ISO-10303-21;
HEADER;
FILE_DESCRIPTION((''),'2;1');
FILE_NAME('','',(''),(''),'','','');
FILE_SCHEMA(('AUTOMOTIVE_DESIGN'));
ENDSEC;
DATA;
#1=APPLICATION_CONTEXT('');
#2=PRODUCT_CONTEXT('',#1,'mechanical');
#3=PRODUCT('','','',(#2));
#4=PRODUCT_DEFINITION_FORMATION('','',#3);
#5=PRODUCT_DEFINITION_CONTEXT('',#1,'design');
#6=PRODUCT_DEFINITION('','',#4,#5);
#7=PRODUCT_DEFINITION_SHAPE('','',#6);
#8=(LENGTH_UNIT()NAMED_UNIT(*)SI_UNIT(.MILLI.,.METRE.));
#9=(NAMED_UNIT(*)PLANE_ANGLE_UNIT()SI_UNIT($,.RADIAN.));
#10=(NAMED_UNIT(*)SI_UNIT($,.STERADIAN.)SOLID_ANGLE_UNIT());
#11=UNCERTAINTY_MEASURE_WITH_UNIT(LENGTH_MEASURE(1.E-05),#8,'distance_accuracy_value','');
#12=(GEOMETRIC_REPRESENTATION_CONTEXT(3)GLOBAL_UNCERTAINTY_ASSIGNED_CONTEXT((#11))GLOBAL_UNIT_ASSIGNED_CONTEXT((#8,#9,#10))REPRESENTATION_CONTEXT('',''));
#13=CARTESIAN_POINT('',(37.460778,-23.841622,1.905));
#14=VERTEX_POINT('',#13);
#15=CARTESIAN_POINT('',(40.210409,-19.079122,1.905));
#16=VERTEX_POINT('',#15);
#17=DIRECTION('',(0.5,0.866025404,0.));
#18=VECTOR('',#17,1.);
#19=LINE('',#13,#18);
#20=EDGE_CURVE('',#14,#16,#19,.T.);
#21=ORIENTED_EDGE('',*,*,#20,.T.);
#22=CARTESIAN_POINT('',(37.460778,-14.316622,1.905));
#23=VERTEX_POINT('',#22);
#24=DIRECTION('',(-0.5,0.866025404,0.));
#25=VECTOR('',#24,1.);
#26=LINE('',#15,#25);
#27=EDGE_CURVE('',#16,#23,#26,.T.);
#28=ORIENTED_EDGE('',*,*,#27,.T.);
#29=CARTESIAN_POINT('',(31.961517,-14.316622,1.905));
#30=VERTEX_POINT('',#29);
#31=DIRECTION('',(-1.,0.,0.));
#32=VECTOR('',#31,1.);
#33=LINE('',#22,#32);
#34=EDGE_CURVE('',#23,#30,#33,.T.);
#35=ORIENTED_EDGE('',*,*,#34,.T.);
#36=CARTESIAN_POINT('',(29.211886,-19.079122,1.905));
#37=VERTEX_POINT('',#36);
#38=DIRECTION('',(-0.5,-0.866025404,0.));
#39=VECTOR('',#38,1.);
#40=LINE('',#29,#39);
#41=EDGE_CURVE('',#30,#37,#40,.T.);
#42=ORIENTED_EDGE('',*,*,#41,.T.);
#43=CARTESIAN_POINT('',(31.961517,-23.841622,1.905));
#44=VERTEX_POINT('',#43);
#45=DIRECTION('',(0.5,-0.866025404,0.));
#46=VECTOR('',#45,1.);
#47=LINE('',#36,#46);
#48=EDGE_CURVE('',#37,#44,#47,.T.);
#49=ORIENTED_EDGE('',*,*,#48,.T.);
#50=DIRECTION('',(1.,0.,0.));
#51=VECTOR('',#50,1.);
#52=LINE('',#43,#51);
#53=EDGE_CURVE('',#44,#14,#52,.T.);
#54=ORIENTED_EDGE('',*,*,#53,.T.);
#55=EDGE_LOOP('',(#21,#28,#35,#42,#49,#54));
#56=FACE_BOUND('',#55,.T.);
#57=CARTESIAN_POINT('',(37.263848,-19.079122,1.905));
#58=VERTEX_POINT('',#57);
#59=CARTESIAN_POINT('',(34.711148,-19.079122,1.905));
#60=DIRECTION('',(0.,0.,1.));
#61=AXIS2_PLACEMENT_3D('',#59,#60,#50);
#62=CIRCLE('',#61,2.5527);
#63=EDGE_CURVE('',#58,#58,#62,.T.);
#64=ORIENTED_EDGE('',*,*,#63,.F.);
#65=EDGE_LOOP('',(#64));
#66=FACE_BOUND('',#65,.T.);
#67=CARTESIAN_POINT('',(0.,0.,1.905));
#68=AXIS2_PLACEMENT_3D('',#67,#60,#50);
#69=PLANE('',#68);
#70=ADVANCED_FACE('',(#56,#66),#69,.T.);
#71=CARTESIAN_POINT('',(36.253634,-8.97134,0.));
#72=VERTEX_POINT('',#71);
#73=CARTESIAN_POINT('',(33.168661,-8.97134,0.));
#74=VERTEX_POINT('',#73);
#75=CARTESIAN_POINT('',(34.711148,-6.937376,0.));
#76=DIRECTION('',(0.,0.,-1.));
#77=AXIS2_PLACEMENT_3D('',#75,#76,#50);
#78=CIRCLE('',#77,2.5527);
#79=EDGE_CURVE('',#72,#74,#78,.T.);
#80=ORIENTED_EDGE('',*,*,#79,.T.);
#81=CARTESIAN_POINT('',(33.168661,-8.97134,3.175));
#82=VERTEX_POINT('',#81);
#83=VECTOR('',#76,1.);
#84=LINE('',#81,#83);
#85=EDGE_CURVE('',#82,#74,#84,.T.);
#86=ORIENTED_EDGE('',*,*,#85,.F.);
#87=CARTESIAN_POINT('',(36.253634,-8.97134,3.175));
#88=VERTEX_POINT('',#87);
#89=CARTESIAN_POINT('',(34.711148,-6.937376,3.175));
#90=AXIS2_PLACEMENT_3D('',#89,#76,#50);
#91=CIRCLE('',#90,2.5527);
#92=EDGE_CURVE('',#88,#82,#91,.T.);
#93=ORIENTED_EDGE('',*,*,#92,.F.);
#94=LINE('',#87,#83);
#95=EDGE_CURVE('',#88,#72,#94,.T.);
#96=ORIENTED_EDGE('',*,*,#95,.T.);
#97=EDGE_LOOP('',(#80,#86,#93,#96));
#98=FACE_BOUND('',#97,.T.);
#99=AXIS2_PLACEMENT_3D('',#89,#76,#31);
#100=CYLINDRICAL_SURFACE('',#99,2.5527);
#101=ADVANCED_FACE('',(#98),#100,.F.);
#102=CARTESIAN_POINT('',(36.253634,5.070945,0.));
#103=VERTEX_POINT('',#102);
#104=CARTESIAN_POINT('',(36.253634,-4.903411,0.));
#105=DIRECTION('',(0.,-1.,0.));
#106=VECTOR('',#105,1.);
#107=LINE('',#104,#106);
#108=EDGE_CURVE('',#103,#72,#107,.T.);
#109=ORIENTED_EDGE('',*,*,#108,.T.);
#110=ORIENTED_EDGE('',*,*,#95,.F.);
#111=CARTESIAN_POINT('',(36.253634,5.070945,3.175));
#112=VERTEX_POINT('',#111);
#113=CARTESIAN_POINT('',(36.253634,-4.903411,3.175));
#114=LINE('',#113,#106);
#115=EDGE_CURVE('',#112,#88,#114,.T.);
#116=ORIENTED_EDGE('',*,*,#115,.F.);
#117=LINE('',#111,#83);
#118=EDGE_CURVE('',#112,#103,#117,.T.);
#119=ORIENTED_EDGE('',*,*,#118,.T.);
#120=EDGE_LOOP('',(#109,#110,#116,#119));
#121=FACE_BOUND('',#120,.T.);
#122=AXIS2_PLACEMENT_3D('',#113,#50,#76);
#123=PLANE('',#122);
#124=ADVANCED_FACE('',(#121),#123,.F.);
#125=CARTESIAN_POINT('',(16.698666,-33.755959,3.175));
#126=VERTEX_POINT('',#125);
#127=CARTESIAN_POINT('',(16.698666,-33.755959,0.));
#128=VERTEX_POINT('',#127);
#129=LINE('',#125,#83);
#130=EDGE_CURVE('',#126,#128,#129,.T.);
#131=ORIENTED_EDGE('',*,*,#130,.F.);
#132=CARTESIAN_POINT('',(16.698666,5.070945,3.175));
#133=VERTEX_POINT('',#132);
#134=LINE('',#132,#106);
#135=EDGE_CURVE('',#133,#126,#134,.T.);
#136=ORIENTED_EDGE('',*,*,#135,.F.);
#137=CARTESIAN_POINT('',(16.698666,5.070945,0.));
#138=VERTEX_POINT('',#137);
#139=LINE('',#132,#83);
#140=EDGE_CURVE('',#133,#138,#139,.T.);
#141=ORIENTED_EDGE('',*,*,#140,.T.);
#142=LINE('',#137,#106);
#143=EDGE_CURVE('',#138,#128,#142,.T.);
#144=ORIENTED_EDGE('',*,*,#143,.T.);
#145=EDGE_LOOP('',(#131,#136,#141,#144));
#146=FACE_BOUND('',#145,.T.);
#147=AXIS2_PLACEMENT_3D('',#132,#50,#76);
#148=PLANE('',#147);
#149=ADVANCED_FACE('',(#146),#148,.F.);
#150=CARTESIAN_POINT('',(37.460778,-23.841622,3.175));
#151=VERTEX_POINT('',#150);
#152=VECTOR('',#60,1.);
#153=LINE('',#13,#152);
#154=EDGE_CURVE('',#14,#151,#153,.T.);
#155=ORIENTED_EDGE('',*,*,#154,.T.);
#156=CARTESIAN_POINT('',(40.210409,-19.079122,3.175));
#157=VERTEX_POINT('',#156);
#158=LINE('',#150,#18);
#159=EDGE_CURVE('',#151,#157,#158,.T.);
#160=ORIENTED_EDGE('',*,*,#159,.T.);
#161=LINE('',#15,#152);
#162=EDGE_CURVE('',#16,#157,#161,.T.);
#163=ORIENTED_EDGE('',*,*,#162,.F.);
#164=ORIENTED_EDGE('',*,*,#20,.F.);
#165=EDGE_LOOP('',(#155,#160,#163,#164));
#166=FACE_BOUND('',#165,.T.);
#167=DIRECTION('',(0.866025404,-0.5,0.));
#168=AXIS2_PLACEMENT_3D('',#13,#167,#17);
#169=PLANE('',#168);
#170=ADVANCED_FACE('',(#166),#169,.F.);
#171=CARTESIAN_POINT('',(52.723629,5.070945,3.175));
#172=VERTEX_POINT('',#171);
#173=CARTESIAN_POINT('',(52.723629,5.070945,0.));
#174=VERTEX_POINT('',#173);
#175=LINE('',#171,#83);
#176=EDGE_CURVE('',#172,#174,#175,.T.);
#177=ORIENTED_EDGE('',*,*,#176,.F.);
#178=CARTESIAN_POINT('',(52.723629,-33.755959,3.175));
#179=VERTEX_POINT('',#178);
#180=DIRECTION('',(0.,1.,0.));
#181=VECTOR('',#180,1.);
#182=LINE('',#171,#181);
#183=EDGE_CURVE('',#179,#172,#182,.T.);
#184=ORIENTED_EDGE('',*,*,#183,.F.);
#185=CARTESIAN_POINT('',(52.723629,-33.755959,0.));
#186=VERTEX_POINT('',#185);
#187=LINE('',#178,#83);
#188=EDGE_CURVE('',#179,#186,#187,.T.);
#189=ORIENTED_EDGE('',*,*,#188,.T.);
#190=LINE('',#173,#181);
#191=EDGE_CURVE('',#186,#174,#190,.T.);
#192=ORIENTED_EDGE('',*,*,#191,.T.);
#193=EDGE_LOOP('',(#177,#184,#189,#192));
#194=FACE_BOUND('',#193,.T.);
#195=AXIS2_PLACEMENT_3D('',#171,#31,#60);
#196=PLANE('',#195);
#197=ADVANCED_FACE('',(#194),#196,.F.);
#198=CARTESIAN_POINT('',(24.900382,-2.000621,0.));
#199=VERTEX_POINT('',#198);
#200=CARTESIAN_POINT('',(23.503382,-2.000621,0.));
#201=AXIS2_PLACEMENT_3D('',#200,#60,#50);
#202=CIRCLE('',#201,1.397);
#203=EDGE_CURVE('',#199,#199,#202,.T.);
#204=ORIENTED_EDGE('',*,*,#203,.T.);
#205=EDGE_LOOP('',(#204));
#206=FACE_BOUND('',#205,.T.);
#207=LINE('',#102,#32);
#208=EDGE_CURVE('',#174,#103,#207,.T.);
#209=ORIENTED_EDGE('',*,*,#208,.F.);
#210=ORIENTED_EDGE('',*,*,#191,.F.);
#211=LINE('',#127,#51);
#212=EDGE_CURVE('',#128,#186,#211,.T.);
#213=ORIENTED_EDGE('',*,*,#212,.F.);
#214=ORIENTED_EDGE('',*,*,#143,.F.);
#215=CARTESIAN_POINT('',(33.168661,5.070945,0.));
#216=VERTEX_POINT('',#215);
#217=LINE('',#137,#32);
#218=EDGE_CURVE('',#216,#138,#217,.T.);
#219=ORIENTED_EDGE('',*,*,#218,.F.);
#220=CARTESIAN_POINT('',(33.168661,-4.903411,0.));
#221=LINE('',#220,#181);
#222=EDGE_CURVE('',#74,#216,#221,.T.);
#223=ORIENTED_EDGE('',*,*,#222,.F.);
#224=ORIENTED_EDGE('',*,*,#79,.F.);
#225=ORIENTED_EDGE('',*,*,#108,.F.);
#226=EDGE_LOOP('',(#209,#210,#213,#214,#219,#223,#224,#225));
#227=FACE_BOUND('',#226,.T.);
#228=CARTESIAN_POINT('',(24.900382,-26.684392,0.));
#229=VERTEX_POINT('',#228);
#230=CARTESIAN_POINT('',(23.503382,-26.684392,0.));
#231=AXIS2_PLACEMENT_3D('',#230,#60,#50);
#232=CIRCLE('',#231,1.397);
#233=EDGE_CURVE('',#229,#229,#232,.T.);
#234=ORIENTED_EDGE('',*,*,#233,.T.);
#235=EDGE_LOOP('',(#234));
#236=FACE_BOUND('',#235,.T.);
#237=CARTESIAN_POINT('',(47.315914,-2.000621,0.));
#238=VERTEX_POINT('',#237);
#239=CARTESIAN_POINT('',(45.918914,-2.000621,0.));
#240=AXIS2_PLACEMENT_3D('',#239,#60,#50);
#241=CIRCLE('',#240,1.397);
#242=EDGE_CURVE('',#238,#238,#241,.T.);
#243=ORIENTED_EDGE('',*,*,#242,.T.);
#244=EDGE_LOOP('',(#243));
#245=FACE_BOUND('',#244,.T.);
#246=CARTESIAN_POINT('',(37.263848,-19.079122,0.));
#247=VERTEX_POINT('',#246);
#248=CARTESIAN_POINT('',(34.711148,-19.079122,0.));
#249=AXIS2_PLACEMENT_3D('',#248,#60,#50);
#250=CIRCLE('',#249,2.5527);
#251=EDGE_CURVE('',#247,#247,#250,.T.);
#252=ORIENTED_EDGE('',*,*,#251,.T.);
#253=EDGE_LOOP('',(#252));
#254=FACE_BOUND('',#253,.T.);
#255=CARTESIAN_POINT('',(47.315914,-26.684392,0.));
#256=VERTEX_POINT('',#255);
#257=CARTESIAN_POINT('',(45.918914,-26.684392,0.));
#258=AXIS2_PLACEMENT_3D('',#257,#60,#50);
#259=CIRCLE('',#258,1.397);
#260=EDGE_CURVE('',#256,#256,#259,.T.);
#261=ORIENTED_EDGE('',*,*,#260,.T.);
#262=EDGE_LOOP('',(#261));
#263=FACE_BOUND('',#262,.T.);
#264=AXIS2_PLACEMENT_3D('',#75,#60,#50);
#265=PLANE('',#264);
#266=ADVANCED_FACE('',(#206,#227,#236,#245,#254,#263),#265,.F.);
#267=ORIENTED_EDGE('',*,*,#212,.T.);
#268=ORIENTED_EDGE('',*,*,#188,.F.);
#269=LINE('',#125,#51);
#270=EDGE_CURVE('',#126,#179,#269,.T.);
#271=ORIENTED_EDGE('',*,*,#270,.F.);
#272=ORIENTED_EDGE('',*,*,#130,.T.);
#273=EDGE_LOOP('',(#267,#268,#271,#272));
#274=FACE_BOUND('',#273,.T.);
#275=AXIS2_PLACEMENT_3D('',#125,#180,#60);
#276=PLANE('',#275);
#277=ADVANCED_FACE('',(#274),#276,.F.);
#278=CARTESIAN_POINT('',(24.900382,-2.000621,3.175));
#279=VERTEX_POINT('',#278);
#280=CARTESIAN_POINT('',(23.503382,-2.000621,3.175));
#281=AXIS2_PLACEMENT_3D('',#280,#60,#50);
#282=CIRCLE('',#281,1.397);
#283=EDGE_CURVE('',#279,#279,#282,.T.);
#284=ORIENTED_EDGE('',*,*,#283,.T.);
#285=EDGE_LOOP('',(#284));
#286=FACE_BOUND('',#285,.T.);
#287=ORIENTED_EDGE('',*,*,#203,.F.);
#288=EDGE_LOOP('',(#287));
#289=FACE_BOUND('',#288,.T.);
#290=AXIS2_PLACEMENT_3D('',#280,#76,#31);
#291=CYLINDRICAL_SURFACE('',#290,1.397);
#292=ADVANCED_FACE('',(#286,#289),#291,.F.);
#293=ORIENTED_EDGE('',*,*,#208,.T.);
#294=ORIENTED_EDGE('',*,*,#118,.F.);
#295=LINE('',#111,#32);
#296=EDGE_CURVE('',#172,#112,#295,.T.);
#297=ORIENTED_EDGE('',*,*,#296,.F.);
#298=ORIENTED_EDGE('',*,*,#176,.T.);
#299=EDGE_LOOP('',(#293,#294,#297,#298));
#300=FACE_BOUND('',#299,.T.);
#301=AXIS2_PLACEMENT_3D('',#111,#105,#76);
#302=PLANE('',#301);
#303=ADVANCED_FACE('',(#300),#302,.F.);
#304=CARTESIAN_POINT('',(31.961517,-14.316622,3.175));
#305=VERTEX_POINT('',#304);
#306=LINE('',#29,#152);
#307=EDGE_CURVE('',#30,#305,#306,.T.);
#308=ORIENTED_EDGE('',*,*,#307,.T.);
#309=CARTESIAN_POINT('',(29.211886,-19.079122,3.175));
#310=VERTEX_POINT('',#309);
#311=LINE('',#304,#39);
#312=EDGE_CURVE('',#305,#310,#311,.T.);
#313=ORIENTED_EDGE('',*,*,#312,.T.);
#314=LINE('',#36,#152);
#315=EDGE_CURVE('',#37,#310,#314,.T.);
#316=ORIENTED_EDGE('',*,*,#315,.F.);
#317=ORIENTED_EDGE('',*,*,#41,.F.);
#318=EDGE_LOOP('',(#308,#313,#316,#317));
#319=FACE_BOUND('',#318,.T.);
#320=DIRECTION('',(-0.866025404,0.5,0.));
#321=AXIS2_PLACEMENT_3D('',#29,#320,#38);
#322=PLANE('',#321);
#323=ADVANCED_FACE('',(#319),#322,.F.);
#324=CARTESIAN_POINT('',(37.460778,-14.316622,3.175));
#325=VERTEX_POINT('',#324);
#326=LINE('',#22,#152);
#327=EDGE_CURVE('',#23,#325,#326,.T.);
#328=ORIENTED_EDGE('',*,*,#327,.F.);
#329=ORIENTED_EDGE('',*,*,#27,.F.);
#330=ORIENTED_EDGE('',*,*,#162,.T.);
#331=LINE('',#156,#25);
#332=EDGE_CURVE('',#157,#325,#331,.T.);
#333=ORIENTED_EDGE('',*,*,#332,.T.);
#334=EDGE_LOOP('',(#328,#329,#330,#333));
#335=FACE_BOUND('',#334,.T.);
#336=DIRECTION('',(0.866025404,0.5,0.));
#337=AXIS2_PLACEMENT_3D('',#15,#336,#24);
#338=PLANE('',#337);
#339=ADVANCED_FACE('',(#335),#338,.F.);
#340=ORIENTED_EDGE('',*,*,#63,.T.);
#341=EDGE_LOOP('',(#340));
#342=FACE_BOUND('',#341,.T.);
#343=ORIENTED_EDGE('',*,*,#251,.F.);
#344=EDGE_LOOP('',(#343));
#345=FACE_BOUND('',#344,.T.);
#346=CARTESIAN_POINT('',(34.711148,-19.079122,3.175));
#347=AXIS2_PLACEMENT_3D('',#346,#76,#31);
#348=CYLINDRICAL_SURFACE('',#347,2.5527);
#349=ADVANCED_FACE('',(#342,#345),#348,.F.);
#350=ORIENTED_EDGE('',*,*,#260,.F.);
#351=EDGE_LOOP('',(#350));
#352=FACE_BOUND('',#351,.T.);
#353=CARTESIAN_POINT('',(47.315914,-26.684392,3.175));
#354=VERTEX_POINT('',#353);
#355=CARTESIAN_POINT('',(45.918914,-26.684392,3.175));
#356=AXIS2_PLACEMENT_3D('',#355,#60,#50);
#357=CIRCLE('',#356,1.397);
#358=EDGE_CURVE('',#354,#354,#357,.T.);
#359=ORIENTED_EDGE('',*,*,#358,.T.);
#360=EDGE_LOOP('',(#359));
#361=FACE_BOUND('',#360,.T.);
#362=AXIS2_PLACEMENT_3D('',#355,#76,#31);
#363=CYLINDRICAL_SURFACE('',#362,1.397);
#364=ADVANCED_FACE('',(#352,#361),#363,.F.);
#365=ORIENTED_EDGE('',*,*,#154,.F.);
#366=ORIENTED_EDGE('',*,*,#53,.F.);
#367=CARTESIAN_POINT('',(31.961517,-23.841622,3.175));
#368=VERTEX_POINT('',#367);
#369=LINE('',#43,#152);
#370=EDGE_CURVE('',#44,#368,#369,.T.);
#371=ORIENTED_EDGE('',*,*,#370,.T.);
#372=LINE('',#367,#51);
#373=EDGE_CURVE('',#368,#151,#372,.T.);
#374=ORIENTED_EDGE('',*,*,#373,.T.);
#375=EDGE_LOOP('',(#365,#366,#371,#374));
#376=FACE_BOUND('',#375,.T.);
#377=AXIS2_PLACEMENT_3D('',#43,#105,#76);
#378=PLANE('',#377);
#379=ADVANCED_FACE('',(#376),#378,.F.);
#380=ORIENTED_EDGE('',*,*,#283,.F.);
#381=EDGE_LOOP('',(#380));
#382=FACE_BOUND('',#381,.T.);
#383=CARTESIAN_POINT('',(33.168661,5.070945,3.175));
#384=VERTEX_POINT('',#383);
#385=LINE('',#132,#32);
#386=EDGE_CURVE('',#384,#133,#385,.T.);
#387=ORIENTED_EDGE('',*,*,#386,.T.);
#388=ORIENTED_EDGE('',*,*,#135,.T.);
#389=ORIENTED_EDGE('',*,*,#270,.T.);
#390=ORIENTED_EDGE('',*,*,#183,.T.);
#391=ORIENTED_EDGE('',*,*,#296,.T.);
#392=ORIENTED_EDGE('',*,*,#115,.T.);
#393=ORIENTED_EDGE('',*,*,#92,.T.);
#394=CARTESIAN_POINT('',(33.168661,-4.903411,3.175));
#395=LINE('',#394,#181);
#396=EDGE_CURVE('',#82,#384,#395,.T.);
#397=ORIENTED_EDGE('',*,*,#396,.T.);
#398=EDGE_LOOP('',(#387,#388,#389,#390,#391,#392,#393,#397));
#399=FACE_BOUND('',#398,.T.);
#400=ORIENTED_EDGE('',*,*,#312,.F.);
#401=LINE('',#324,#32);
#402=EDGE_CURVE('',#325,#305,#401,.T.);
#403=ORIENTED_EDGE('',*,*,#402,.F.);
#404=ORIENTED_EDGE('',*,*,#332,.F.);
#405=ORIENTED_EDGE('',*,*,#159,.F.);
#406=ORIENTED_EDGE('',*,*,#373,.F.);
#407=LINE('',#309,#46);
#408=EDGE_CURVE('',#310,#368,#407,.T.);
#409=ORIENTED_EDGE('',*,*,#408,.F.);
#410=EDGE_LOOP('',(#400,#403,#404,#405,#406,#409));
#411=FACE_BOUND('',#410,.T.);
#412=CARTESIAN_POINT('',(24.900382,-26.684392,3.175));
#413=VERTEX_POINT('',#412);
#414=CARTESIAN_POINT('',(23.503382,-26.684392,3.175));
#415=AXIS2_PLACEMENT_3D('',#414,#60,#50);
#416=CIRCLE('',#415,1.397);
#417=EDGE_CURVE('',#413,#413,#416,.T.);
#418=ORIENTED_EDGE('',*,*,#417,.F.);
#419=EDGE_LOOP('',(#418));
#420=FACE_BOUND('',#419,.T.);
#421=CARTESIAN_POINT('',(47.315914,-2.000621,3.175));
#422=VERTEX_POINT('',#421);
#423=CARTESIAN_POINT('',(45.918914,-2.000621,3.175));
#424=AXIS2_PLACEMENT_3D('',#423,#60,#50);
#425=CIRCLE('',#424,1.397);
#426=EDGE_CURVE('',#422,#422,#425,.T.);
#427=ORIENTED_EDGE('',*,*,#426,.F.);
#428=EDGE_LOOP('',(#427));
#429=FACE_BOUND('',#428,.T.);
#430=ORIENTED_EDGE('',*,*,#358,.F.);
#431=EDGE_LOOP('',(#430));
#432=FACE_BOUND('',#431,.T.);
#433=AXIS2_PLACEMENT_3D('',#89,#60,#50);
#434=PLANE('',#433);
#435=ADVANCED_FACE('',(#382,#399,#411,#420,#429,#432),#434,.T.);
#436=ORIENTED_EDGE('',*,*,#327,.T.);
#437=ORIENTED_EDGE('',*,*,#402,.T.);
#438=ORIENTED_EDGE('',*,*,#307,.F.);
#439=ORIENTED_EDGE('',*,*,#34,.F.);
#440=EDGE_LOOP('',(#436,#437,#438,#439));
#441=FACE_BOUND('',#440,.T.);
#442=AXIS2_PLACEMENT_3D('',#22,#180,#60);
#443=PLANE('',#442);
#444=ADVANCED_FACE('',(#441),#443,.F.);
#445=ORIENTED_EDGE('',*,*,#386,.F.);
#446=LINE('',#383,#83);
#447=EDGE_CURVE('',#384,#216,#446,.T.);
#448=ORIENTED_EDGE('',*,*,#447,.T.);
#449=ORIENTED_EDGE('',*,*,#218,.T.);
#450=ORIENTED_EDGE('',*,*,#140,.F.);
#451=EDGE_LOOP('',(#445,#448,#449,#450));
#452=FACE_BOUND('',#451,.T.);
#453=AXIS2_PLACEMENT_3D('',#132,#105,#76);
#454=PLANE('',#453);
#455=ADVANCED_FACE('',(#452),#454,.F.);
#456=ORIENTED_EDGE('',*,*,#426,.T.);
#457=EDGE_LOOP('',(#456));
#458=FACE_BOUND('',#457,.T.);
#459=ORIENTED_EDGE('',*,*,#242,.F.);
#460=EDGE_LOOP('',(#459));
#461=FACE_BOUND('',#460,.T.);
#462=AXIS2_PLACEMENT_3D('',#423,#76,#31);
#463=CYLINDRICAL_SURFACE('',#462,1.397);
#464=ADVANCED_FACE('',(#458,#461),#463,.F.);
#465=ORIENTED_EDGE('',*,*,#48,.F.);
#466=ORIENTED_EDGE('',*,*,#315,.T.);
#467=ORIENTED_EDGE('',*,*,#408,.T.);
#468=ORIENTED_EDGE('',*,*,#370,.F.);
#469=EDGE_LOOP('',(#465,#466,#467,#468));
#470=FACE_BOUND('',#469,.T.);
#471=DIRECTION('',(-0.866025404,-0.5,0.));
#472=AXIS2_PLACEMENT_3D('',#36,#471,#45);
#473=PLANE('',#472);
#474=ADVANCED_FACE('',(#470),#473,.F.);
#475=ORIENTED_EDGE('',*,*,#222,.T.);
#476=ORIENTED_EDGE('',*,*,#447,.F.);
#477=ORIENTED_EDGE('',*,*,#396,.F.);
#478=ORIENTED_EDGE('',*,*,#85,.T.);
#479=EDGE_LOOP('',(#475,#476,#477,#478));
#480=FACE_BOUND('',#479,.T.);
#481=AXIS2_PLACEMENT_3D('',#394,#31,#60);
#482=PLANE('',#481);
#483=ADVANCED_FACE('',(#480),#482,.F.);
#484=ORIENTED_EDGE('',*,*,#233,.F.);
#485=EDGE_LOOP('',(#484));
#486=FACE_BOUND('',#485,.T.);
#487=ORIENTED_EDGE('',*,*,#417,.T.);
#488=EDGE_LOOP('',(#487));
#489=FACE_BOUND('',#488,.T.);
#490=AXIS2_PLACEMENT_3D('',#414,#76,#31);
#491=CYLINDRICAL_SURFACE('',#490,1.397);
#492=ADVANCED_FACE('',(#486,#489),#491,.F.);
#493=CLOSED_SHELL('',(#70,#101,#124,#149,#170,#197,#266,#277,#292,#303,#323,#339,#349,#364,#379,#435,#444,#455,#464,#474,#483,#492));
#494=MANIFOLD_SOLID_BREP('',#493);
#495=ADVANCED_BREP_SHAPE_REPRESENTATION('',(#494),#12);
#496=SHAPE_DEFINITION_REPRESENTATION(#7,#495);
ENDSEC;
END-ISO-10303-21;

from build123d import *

# Parameters (mm, degrees)
SKETCH1_R           = 2.5527
SKETCH1_R_2         = 1.397
BOSS_EXTRUDE1_DEPTH = 3.175
CUT_EXTRUDE1_DEPTH  = 1.27


with BuildPart() as part:
    # Sketch1 → Boss-Extrude1 (new body)
    with BuildSketch(Plane.XY):
        with BuildLine():
            Line((16.698666352, 5.070945327), (33.168661373, 5.070945327))
            Line((33.168661373, 5.070945327), (33.168661373, -4.903410628))
            Line((33.168661373, -4.903410628), (33.168661373, -8.971340476))
            ThreePointArc((33.168661373, -8.971340476), (34.711147671, -9.490075552), (36.253633968, -8.971340476))
            Line((36.253633968, -8.971340476), (36.253633968, -4.903410628))
            Line((36.253633968, -4.903410628), (36.253633968, 5.070945327))
            Line((36.253633968, 5.070945327), (52.72362899, 5.070945327))
            Line((52.72362899, 5.070945327), (52.72362899, -33.755958849))
            Line((52.72362899, -33.755958849), (16.698666352, -33.755958849))
            Line((16.698666352, -33.755958849), (16.698666352, 5.070945327))
        make_face()
        with Locations((34.711147671, -19.07912216)):
            Circle(SKETCH1_R, mode=Mode.SUBTRACT)
        with Locations((45.918913825, -2.000621413)):
            Circle(SKETCH1_R_2, mode=Mode.SUBTRACT)
        with Locations((23.503381517, -2.000621413)):
            Circle(SKETCH1_R_2, mode=Mode.SUBTRACT)
        with Locations((23.503381517, -26.684392109)):
            Circle(SKETCH1_R_2, mode=Mode.SUBTRACT)
        with Locations((45.918913825, -26.684392109)):
            Circle(SKETCH1_R_2, mode=Mode.SUBTRACT)
    extrude(amount=BOSS_EXTRUDE1_DEPTH)

    # Sketch3 → Cut-Extrude1 (cut)
    with BuildSketch(Plane.XY.offset(3.175)):
        Polygon((40.210408985, -19.07912216), (37.460778328, -14.31662216), (31.961517014, -14.31662216), (29.211886357, -19.07912216), (31.961517014, -23.84162216), (37.460778328, -23.84162216), align=None)
    extrude(amount=-CUT_EXTRUDE1_DEPTH, mode=Mode.SUBTRACT)


solid = part.part
